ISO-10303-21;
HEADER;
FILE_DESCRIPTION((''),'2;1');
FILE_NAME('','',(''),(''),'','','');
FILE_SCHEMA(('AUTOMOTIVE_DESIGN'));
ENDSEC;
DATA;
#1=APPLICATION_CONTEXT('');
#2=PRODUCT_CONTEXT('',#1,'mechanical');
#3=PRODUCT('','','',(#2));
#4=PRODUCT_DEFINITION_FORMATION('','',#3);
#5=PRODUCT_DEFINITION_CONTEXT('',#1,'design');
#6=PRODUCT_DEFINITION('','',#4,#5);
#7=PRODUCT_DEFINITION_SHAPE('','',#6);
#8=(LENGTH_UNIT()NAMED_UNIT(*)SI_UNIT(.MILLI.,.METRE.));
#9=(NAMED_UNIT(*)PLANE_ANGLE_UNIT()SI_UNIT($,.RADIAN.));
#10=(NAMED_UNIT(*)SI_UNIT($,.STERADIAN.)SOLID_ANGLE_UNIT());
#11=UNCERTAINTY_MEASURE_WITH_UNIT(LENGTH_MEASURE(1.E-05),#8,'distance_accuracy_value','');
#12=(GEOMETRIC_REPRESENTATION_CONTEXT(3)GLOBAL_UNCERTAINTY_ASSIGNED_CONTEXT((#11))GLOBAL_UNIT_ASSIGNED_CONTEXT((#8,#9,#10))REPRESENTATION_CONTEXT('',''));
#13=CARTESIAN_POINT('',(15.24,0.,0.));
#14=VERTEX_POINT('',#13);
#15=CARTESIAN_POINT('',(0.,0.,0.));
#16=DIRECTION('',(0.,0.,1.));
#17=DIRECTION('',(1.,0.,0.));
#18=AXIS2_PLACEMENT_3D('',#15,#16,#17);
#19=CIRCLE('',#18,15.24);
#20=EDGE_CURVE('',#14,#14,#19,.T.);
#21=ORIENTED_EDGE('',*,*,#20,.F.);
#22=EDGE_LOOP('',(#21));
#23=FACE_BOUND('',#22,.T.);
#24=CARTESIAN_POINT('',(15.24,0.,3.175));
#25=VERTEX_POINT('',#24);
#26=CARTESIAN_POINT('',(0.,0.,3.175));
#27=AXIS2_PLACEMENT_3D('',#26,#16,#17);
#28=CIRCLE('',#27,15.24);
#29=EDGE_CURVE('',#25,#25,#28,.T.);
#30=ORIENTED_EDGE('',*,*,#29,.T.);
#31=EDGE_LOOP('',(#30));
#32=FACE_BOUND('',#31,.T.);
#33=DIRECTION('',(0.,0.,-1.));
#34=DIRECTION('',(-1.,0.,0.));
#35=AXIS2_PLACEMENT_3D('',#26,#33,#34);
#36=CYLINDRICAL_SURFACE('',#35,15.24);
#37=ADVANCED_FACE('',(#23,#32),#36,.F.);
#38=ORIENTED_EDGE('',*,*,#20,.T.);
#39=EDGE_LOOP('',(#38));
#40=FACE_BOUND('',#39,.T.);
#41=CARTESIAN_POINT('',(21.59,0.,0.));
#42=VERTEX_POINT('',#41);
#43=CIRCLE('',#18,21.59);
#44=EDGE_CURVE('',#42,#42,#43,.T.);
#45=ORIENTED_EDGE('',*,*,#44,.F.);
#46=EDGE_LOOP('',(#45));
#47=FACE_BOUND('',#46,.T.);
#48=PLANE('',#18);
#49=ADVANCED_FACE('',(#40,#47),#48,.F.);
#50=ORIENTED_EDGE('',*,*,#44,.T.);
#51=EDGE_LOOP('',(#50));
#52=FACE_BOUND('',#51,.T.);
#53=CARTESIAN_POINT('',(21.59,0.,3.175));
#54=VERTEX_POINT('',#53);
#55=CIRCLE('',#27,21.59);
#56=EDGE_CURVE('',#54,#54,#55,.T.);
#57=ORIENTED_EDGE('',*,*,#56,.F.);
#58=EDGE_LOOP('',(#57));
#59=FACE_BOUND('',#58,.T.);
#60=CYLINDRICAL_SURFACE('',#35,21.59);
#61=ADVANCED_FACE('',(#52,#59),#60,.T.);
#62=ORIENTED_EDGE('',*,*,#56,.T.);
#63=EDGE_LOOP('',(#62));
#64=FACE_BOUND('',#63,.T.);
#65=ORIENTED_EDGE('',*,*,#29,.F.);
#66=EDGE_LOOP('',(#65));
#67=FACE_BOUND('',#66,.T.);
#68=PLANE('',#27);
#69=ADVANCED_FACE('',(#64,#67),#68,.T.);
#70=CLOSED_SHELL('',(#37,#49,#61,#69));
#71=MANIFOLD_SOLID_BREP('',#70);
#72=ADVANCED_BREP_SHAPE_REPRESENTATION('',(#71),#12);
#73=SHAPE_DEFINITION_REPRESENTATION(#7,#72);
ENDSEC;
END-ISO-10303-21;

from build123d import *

# Parameters (mm, degrees)
SKETCH1_R           = 21.59
SKETCH1_R_2         = 15.24
BOSS_EXTRUDE1_DEPTH = 3.175


with BuildPart() as part:
    # Sketch1 → Boss-Extrude1 (new body)
    with BuildSketch(Plane.XY):
        Circle(SKETCH1_R)
        Circle(SKETCH1_R_2, mode=Mode.SUBTRACT)
    extrude(amount=BOSS_EXTRUDE1_DEPTH)


solid = part.part
